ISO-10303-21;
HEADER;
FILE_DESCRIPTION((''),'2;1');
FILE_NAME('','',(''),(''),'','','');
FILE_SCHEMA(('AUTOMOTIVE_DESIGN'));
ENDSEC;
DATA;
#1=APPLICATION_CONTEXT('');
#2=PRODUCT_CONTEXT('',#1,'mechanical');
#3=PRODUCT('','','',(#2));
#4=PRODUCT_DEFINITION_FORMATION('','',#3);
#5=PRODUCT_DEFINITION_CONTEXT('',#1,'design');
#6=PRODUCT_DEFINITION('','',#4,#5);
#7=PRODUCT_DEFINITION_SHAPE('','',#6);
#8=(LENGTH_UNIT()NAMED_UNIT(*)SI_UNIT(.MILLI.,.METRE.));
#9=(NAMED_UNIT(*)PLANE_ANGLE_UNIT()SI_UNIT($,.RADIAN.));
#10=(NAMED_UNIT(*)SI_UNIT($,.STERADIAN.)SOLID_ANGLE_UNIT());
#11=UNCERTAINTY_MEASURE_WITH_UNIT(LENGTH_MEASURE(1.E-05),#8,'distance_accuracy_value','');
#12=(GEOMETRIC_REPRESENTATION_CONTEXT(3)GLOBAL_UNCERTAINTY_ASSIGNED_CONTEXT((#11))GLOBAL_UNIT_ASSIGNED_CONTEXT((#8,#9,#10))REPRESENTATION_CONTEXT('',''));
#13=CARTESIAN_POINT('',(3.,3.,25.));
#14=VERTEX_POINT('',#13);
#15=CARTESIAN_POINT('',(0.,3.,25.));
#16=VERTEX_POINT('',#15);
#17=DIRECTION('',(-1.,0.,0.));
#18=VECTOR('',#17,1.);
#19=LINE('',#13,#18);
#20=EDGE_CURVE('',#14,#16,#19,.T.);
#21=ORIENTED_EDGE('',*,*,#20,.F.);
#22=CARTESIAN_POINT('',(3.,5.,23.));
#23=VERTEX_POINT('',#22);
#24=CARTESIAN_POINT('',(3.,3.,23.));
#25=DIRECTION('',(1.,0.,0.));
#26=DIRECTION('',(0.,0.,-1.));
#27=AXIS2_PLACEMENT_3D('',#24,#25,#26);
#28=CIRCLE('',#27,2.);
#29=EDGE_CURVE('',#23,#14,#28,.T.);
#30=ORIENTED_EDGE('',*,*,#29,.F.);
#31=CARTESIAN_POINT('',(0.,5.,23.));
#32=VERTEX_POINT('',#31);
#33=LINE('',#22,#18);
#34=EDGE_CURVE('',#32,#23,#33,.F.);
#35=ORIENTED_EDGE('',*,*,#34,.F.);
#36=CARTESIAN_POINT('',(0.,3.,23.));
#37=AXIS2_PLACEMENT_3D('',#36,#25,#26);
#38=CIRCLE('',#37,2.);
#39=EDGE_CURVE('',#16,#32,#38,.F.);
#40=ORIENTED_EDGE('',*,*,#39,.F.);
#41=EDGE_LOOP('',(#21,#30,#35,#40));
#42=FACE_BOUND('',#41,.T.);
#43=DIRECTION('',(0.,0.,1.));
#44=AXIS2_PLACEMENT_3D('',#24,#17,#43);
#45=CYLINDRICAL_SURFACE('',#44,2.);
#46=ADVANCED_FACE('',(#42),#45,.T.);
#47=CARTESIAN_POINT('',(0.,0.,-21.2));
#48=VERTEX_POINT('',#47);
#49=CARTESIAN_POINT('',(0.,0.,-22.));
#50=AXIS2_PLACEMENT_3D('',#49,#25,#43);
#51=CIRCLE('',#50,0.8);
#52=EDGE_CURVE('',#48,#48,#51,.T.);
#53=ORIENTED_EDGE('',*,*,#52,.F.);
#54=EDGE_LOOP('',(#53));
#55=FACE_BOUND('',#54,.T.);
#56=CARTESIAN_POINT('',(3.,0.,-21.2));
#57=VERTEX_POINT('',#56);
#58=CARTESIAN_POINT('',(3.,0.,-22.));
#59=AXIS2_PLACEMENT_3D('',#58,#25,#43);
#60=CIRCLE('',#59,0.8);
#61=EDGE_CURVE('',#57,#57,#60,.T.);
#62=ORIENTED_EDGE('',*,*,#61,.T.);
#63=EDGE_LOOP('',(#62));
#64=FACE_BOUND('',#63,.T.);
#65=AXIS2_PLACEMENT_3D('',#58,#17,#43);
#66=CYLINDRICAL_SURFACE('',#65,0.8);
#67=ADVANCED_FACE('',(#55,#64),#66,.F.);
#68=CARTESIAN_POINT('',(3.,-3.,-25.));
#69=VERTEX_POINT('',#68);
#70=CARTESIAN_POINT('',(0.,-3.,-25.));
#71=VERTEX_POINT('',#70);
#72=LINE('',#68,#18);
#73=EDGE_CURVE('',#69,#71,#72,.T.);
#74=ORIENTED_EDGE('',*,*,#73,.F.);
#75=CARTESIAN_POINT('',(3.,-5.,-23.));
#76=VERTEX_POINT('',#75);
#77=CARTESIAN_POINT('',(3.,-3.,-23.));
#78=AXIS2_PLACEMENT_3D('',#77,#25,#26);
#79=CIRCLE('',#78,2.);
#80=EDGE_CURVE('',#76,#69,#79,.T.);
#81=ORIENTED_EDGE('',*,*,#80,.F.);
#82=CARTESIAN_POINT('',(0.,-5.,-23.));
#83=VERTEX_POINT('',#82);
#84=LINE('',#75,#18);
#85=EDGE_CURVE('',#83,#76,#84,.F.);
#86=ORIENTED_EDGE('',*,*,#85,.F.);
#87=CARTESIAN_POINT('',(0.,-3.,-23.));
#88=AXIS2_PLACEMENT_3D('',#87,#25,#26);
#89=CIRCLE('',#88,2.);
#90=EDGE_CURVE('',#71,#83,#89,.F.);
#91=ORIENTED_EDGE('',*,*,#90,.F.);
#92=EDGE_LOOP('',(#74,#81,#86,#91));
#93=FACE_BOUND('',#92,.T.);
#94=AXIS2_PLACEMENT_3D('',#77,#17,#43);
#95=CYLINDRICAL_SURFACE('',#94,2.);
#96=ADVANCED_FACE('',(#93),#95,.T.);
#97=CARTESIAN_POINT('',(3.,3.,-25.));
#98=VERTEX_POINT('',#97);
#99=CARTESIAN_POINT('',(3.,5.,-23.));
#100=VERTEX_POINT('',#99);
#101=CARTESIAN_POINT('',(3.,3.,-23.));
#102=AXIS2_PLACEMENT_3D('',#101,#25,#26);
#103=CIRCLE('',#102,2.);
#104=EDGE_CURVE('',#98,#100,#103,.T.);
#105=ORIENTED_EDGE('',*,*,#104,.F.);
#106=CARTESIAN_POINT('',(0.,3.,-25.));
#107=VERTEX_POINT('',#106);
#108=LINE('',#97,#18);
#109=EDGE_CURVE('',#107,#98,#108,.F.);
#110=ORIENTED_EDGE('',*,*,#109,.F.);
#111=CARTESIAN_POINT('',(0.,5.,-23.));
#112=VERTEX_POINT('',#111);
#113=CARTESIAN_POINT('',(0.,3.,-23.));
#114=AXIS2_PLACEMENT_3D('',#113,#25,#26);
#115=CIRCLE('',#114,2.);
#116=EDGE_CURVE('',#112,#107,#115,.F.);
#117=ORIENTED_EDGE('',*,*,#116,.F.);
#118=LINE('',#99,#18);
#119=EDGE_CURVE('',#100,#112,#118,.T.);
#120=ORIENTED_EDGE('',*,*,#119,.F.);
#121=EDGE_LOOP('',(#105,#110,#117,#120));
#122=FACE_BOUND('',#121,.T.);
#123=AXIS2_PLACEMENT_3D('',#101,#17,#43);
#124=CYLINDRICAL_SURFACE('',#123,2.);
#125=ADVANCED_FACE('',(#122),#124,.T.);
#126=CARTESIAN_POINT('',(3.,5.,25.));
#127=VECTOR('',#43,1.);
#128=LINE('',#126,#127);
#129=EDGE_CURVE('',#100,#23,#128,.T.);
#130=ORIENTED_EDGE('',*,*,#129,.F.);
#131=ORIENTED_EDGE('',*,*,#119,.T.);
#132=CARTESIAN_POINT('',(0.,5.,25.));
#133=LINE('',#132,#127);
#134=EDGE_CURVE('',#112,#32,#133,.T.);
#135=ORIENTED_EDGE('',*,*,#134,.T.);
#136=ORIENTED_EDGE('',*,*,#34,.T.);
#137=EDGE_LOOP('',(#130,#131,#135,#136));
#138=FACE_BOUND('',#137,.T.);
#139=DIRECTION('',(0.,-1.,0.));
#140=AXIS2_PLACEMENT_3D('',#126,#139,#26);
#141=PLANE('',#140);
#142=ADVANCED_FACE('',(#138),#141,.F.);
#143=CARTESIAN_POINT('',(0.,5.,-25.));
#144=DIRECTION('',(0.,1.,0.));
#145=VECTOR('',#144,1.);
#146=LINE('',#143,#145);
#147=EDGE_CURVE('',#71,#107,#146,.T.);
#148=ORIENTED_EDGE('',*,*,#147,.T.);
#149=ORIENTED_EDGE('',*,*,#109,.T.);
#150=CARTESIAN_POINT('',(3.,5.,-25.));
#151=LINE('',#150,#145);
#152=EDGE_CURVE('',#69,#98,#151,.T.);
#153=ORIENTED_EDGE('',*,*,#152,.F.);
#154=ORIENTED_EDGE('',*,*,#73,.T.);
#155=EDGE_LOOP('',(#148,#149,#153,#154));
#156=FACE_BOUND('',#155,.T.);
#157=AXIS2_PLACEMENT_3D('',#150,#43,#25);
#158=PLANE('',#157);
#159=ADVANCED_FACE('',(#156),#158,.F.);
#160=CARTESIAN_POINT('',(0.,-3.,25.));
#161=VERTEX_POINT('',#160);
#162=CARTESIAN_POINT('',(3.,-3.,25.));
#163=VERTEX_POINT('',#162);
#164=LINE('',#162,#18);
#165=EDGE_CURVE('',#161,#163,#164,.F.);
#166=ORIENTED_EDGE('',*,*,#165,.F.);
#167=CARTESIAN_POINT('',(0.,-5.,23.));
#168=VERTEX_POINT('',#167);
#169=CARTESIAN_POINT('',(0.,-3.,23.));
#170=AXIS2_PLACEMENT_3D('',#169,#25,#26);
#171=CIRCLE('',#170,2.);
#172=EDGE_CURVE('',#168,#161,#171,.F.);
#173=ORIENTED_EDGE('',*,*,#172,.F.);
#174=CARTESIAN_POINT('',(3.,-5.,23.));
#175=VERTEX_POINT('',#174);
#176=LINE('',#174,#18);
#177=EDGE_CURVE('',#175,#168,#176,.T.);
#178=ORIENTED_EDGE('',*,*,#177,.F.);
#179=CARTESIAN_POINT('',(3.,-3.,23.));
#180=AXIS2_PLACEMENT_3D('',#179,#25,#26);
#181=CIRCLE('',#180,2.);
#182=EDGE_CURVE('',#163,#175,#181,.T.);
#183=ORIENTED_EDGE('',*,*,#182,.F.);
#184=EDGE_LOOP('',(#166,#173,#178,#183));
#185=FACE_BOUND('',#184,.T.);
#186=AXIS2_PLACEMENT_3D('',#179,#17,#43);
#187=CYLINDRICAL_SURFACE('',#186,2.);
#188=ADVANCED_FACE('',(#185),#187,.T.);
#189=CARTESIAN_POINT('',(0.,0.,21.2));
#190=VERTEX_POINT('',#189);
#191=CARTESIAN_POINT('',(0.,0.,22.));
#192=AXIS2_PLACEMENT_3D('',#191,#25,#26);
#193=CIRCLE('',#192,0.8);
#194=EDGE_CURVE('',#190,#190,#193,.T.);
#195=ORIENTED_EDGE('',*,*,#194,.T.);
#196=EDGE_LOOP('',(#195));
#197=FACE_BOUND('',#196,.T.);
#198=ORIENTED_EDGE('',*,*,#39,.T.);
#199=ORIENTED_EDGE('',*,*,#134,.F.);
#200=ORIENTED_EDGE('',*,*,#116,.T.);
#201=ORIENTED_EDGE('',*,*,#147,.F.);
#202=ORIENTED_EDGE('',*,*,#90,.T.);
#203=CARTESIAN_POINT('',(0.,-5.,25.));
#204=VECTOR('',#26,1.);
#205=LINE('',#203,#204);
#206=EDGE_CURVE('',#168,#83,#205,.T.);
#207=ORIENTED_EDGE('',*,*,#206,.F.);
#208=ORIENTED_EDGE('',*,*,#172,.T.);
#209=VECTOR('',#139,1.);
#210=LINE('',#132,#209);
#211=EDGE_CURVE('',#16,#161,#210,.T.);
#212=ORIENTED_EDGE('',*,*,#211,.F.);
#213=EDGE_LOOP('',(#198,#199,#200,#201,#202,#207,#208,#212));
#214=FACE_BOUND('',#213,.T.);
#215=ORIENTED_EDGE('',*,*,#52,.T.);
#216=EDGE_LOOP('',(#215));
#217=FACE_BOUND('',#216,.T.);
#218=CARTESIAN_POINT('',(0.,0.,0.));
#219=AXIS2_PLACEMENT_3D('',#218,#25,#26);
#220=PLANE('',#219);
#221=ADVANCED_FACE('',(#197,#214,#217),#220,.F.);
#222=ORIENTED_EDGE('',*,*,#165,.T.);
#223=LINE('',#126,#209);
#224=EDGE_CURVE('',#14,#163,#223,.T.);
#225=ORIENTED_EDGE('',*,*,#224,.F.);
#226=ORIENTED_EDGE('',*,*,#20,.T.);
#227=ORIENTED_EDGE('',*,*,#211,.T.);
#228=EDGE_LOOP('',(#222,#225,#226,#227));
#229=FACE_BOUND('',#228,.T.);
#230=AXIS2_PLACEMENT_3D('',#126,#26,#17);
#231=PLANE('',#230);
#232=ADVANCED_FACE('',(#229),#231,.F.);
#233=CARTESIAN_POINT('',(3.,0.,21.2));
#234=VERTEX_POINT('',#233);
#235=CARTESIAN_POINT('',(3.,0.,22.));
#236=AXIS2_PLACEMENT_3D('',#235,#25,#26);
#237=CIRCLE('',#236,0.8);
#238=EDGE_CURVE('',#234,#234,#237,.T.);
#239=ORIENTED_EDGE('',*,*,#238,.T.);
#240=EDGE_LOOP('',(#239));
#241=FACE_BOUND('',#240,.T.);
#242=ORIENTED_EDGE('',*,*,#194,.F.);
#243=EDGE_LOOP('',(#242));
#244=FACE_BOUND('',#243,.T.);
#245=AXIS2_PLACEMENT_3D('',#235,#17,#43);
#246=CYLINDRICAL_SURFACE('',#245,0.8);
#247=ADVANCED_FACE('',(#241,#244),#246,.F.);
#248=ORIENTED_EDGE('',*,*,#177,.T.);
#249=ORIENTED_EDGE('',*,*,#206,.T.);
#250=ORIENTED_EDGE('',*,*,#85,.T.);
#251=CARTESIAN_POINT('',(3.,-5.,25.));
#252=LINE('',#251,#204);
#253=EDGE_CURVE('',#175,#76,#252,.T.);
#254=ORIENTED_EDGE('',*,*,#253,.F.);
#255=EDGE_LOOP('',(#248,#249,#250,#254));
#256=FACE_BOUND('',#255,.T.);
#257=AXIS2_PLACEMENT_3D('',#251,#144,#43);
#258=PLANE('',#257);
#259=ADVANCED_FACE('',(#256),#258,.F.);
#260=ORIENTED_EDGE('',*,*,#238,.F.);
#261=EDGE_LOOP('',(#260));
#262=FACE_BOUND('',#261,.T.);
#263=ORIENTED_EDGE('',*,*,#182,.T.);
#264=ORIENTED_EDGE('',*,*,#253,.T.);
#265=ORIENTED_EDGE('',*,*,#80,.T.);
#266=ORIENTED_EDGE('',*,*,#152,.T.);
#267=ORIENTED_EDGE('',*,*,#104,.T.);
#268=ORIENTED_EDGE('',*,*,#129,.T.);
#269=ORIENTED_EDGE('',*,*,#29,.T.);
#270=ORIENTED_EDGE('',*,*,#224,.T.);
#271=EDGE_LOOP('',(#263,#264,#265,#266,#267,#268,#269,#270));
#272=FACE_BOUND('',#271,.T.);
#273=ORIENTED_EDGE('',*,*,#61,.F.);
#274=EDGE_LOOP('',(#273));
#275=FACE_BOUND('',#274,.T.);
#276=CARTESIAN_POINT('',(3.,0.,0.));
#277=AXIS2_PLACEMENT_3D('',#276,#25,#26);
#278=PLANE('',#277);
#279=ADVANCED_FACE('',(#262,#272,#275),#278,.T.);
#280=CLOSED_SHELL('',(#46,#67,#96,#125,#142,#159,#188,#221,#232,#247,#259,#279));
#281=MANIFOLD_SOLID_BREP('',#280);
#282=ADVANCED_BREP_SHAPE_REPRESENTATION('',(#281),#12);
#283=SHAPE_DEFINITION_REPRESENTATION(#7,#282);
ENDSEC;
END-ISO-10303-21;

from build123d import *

# Parameters (mm, degrees)
ESBO_O1_W                = 50
ESBO_O1_H                = 10
ESBO_O1_R                = 0.8
RESSALTO_EXTRUS_O1_DEPTH = 3
FILETE1_R                = 2


with BuildPart() as part:
    # Esboço1 → Ressalto-extrusão1 (new body)
    with BuildSketch(Plane(origin=(0, 0, 0), x_dir=(0, 0, -1), z_dir=(1, 0, 0))):
        Rectangle(ESBO_O1_W, ESBO_O1_H)
        with Locations((-22, 0)):
            Circle(ESBO_O1_R, mode=Mode.SUBTRACT)
        with Locations((22, 0)):
            Circle(ESBO_O1_R, mode=Mode.SUBTRACT)
    extrude(amount=RESSALTO_EXTRUS_O1_DEPTH)

    # Filete1
    filete1_edges = [part.edges().sort_by_distance(p)[0] for p in [
        (1.5, -5, -25),
        (1.5, -5, 25),
        (1.5, 5, 25),
        (1.5, 5, -25),
    ]]
    fillet(filete1_edges, radius=FILETE1_R)


solid = part.part
